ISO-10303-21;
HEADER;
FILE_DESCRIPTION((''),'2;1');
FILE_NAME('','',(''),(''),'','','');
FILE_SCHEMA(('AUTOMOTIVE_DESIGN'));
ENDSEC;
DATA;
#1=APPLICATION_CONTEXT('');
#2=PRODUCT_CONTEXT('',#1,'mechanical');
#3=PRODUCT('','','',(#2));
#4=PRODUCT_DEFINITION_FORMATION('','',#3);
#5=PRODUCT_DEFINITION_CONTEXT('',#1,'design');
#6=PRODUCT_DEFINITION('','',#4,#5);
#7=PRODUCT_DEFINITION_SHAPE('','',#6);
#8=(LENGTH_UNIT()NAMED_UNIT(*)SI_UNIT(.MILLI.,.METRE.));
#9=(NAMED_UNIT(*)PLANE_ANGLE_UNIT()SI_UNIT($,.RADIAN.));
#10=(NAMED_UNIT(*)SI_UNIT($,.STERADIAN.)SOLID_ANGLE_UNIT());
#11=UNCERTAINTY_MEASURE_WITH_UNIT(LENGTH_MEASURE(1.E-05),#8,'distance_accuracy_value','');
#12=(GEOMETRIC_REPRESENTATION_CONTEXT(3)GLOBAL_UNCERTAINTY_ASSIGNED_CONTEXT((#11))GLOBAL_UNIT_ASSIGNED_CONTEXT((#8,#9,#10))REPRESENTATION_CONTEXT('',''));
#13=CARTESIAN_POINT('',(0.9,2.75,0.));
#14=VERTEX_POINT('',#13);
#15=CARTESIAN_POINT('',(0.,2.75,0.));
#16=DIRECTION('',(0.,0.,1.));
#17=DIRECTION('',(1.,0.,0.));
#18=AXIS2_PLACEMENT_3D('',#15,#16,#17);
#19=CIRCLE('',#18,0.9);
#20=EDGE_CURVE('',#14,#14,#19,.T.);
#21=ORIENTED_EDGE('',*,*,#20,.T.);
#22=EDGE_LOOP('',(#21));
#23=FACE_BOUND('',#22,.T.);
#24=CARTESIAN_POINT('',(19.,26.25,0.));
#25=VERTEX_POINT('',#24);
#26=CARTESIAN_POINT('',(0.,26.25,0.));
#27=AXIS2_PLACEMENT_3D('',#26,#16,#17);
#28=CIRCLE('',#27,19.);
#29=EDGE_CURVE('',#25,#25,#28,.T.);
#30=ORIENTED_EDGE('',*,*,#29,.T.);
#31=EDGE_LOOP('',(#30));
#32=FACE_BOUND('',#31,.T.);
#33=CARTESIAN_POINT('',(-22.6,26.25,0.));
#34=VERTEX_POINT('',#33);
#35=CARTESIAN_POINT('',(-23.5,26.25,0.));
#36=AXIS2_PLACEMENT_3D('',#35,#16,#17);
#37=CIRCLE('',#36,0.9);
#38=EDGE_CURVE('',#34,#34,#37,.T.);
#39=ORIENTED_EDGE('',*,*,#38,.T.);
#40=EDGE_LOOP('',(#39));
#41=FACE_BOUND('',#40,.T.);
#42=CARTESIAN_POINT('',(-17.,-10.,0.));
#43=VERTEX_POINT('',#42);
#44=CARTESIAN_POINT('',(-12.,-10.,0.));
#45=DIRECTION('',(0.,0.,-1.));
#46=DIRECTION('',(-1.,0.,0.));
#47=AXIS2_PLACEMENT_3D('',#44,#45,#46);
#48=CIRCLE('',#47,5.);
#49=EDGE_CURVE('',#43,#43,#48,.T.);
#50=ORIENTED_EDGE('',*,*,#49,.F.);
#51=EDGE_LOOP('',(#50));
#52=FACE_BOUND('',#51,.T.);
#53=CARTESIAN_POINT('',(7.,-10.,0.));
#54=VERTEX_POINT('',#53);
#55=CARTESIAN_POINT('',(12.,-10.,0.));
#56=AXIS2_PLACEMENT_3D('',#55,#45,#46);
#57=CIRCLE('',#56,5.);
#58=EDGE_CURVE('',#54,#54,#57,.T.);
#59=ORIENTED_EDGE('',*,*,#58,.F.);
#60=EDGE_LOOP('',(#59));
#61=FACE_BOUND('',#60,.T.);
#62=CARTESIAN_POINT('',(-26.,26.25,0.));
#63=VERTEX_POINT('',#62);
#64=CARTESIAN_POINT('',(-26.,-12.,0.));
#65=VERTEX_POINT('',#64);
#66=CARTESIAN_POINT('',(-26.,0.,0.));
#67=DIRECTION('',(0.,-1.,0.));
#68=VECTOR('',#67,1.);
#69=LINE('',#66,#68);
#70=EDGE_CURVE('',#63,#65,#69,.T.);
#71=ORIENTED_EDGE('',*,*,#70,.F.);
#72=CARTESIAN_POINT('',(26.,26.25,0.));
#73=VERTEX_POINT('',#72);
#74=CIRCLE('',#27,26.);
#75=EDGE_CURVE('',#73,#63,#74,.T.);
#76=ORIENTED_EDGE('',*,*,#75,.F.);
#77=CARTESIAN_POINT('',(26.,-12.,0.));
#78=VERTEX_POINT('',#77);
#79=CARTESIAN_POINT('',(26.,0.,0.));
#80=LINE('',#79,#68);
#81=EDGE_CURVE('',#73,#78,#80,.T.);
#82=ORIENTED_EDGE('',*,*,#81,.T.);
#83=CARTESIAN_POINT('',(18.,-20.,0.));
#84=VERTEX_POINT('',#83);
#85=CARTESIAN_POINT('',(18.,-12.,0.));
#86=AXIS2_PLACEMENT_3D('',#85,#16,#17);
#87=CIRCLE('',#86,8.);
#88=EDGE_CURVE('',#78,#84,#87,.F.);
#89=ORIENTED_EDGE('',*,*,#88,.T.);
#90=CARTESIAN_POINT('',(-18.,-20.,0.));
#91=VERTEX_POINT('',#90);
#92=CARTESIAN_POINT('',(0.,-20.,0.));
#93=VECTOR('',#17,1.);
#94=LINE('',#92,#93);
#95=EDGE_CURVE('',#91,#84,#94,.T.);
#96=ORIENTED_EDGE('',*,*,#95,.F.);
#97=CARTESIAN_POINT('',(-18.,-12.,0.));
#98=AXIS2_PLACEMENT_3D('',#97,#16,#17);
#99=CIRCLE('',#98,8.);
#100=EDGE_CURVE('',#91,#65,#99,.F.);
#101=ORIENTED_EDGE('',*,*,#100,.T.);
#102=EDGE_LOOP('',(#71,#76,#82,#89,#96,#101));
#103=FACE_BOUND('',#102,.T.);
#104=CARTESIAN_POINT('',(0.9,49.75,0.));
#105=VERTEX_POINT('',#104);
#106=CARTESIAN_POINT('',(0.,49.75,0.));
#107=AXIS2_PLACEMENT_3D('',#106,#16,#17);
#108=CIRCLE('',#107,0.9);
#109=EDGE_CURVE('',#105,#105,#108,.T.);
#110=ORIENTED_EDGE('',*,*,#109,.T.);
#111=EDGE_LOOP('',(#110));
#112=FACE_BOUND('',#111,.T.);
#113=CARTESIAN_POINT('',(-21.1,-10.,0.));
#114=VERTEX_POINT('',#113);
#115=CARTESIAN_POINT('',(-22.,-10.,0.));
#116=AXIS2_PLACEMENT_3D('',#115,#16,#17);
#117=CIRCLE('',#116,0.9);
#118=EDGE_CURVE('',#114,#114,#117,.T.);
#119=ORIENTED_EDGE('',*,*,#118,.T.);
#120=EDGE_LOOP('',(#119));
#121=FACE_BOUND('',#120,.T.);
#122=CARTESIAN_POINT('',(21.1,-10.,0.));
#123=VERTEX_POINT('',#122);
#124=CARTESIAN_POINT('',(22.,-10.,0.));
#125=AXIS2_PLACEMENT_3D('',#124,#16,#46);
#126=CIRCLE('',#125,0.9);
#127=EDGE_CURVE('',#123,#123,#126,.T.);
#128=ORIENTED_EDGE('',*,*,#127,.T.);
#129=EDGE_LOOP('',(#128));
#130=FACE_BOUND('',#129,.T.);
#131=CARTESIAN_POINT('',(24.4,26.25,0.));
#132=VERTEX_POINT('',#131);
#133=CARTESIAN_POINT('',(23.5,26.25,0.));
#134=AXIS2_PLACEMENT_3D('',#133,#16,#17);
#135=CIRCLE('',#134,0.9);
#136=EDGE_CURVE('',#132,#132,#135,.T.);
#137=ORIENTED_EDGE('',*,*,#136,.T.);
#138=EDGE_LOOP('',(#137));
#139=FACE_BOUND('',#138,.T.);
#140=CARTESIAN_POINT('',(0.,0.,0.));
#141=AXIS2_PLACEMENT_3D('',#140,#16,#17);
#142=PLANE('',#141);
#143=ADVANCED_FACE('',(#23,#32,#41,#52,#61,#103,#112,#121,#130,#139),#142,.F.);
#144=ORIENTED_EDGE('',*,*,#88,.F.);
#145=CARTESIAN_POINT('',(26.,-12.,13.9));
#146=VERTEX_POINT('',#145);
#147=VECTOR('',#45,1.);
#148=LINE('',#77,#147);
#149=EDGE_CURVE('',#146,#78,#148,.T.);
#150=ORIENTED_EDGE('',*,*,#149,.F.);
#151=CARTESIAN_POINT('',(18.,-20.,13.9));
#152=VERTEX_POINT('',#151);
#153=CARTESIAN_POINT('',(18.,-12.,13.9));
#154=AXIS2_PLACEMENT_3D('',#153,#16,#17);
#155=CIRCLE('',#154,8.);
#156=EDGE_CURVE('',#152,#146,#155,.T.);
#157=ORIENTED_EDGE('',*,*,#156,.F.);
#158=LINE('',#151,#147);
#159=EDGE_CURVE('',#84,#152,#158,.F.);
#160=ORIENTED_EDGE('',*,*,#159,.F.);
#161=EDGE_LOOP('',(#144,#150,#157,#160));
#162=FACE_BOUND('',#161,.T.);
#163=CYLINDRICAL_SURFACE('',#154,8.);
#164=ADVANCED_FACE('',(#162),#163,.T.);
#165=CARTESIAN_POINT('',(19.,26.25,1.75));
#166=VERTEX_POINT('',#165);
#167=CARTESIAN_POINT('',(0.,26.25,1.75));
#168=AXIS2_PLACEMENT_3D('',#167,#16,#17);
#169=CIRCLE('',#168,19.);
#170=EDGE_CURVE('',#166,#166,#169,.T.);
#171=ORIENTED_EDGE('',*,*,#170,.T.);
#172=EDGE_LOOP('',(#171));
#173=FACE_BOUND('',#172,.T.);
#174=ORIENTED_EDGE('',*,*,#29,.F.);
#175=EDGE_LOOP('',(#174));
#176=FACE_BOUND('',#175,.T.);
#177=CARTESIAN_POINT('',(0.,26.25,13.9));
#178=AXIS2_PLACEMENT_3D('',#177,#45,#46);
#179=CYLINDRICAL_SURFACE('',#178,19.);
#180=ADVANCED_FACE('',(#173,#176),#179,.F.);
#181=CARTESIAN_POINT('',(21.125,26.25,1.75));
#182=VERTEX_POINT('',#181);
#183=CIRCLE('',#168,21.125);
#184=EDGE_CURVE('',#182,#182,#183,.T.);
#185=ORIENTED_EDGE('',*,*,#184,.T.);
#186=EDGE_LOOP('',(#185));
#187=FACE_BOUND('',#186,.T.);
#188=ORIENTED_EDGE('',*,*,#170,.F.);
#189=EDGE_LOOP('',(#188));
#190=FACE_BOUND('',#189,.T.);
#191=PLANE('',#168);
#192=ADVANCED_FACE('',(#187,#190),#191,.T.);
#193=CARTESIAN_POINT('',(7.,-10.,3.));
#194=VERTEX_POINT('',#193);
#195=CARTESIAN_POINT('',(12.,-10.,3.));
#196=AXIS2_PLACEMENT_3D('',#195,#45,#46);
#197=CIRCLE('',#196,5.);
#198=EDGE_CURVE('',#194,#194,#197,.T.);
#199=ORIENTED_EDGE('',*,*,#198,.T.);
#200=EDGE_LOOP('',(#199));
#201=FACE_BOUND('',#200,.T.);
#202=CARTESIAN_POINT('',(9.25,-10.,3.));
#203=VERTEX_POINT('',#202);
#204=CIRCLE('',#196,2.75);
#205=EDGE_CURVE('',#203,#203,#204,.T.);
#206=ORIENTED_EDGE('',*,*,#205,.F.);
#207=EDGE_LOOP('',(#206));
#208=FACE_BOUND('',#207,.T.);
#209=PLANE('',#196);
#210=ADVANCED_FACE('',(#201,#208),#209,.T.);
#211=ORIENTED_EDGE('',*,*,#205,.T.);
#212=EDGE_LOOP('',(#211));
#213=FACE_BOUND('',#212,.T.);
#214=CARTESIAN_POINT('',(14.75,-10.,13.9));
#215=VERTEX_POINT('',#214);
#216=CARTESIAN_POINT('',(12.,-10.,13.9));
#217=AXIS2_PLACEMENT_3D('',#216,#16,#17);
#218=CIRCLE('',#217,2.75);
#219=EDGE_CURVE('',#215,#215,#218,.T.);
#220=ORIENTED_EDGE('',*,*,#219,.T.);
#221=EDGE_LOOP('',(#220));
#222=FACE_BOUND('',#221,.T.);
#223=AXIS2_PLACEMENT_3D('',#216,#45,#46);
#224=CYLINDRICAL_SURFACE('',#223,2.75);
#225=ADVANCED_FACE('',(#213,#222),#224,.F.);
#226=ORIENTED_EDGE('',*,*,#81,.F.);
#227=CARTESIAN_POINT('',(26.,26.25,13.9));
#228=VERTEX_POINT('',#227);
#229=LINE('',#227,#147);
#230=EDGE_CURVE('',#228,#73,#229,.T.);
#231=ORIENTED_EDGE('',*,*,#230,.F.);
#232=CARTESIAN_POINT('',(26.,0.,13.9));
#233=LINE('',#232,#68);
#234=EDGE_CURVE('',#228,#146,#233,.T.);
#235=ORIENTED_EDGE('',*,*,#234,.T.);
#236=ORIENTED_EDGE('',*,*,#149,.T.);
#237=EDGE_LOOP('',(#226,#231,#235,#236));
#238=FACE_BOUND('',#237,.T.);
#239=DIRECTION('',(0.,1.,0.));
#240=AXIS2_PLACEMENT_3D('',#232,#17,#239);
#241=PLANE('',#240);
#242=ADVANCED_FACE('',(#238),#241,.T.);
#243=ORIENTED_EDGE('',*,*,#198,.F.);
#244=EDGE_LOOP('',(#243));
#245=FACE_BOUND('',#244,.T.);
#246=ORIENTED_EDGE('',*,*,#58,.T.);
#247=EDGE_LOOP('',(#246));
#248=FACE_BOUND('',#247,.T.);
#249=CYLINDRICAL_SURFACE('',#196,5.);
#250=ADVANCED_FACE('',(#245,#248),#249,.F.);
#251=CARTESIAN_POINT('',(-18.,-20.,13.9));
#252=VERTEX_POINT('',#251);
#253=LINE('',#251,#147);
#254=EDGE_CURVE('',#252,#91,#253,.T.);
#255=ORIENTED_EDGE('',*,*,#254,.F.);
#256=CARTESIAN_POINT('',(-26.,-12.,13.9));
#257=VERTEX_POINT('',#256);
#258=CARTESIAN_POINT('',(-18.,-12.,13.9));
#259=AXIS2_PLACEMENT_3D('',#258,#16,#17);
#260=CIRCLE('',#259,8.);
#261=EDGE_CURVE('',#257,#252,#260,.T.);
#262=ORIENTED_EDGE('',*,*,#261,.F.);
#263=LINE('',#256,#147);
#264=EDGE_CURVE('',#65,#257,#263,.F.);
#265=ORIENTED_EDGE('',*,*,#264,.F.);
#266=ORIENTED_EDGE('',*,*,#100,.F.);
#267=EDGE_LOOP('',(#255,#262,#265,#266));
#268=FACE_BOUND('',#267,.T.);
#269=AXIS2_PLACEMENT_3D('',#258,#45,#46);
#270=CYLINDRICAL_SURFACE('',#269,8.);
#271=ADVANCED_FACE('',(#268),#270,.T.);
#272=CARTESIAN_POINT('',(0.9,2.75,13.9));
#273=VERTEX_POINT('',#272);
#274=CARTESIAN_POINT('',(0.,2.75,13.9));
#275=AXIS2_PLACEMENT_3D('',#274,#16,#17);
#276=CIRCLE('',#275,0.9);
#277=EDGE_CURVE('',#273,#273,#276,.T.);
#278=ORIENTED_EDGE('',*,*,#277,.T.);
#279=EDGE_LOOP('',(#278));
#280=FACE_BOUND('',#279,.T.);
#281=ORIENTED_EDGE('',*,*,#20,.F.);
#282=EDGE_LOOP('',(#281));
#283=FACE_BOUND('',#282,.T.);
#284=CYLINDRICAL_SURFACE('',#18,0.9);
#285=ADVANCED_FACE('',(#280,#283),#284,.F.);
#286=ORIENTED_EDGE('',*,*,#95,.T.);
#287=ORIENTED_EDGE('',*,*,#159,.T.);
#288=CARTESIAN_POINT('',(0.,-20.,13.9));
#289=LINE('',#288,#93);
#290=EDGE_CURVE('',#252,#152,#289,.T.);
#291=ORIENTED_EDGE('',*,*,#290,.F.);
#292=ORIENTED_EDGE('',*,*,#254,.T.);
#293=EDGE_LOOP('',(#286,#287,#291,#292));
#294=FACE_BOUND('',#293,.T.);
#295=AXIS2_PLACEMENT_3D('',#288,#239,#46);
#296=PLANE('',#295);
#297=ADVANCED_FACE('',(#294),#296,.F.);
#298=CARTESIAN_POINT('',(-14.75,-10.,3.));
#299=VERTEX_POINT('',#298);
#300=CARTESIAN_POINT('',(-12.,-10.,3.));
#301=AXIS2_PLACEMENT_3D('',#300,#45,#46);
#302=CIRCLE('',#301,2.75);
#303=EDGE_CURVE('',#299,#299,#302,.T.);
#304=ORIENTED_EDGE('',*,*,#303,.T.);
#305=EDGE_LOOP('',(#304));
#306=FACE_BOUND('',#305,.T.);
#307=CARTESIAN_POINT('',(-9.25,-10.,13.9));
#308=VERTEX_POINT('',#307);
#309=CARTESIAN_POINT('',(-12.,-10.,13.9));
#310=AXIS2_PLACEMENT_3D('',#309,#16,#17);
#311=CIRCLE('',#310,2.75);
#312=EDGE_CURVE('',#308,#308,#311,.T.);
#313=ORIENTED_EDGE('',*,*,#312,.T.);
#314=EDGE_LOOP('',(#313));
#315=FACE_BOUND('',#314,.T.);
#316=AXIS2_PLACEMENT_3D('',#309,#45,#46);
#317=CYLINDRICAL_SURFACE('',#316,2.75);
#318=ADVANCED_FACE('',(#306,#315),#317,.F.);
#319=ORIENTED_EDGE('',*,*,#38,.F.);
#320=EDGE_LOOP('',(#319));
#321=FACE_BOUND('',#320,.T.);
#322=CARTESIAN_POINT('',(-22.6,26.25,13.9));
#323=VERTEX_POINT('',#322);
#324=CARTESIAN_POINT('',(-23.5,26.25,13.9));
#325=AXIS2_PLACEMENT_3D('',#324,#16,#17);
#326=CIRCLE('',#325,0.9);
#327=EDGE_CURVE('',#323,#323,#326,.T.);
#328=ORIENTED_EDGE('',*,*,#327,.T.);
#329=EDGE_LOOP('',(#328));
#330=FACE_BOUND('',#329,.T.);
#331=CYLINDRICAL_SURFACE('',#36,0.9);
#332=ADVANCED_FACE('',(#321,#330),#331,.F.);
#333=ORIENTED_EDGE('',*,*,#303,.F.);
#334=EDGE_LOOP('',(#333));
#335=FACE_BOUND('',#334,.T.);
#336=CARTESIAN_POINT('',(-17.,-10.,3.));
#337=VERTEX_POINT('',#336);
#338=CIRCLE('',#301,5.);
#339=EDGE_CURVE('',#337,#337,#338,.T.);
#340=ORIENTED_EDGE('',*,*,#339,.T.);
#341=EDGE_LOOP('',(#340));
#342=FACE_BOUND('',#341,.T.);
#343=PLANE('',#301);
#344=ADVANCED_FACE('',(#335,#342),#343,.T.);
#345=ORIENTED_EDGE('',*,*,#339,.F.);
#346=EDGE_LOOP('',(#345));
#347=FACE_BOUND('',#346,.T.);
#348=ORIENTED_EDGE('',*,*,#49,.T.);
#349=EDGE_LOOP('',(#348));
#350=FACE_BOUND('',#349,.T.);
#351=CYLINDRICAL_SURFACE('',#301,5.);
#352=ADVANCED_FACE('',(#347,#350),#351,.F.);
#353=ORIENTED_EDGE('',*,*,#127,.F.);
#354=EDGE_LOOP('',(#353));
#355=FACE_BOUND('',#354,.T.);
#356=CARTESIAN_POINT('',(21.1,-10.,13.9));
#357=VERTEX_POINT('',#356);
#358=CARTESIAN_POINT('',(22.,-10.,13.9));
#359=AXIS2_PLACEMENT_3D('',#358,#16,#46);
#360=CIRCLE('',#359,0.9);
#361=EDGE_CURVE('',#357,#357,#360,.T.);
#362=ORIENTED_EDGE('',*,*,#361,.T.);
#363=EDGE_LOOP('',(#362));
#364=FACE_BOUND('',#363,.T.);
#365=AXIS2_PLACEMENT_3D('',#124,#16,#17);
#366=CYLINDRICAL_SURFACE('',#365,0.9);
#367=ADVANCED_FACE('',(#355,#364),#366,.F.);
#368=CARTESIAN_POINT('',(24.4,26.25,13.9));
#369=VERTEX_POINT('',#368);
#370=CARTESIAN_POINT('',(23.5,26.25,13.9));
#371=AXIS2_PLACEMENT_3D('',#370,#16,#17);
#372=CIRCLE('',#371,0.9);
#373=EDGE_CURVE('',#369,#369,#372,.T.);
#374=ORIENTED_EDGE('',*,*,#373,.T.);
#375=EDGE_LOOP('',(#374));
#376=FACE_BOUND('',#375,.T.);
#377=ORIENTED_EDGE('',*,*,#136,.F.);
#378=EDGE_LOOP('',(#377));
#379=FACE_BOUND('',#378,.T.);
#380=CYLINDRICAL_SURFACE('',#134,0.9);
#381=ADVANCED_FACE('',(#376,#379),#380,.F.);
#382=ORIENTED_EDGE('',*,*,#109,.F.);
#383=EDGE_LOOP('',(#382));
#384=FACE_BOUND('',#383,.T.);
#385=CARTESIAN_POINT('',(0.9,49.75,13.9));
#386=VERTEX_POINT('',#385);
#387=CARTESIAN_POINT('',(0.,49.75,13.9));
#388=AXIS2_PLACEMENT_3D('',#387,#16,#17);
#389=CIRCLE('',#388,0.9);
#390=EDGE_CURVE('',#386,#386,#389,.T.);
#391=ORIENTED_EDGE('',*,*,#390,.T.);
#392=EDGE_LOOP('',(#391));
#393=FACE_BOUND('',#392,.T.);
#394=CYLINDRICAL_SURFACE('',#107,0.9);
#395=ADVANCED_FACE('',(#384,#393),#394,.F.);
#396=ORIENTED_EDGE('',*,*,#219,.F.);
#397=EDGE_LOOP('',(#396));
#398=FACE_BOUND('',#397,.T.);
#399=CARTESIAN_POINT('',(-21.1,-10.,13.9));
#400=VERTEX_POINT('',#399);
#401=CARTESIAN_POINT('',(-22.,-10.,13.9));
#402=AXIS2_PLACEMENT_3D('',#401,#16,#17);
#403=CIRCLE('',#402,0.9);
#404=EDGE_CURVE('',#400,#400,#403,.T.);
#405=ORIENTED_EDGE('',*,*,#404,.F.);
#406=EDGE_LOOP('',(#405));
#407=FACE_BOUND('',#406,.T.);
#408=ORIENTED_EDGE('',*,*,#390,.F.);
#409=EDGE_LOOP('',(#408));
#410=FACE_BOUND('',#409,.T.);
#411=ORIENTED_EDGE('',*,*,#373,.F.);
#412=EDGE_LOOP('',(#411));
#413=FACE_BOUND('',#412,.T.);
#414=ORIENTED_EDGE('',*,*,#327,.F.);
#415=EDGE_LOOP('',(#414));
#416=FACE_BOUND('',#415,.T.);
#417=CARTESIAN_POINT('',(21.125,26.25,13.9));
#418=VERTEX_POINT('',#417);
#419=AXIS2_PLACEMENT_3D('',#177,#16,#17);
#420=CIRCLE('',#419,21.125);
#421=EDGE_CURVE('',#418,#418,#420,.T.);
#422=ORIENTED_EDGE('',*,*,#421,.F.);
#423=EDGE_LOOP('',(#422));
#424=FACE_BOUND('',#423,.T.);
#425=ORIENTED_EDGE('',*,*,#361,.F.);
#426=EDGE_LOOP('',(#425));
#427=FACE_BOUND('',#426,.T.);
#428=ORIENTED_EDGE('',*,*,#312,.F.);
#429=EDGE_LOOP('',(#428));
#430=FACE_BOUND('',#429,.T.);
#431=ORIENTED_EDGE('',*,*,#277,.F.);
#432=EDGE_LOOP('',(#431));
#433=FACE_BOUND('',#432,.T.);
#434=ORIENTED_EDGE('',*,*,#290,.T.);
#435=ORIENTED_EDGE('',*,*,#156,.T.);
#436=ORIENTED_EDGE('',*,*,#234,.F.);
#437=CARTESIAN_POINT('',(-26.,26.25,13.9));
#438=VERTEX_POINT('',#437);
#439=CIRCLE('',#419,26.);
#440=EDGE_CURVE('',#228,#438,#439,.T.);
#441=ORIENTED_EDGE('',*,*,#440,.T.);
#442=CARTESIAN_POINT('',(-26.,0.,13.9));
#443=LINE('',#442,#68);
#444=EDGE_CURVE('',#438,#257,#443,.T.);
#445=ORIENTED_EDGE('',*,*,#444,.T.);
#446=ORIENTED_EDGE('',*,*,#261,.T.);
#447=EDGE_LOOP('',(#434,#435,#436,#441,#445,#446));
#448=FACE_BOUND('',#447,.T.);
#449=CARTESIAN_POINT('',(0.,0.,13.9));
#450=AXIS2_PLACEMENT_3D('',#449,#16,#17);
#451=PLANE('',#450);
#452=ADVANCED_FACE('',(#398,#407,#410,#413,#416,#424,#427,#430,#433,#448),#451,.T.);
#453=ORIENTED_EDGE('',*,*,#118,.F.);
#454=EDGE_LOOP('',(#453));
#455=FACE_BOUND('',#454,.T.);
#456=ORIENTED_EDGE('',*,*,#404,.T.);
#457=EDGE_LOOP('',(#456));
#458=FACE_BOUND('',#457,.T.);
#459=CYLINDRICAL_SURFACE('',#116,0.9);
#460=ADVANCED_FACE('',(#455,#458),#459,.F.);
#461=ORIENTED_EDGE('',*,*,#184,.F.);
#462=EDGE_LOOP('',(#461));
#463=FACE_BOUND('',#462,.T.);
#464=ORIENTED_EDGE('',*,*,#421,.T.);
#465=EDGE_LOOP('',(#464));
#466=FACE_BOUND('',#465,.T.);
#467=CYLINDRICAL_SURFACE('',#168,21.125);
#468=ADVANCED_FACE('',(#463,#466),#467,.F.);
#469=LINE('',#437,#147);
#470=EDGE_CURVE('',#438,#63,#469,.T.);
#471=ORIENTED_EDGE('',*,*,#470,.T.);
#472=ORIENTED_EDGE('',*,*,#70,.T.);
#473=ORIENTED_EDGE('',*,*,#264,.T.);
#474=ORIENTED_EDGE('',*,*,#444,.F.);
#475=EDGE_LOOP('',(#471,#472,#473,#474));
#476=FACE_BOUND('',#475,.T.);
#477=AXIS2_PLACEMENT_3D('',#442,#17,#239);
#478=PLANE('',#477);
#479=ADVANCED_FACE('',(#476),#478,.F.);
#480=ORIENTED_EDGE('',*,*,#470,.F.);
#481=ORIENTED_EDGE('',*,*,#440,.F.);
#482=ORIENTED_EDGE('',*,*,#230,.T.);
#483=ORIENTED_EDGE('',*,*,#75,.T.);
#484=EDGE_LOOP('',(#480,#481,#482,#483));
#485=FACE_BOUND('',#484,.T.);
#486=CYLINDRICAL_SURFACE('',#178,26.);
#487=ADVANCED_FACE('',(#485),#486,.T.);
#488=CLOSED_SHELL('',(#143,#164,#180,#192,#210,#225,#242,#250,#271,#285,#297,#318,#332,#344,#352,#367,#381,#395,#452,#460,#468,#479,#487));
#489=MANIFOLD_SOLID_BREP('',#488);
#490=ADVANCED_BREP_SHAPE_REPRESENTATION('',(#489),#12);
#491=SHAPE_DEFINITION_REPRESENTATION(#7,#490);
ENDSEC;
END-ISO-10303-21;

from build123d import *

# Parameters (mm, degrees)
SKETCH_2_R          = 19
SKETCH_2_R_2        = 2.75
EXTRUDE_1_DEPTH     = 13.9
SKETCH_3_R          = 21.125
CUT_EXTRUDE_1_DEPTH = 12.15
SKETCH_4_R          = 5
CUT_EXTRUDE_2_DEPTH = 3
FILLET_1_R          = 8
SKETCH_5_R          = 0.9
CUT_EXTRUDE_3_DEPTH = 60.993937194


with BuildPart() as part:
    # Эскиз2 → Бобышка-Вытянуть1 (new body)
    with BuildSketch(Plane.XY):
        with BuildLine():
            ThreePointArc((26, 26.25), (0, 52.25), (-26, 26.25))
            Line((-26, 26.25), (-26, -20))
            Line((-26, -20), (26, -20))
            Line((26, -20), (26, 26.25))
        make_face()
        with Locations((0, 26.25)):
            Circle(SKETCH_2_R, mode=Mode.SUBTRACT)
        with Locations((12, -10)):
            Circle(SKETCH_2_R_2, mode=Mode.SUBTRACT)
        with Locations((-12, -10)):
            Circle(SKETCH_2_R_2, mode=Mode.SUBTRACT)
    extrude(amount=EXTRUDE_1_DEPTH)

    # Эскиз3 → Вырез-Вытянуть1 (cut)
    with BuildSketch(Plane.XY.offset(13.9)):
        with Locations((0, 26.25)):
            Circle(SKETCH_3_R)
    extrude(amount=-CUT_EXTRUDE_1_DEPTH, mode=Mode.SUBTRACT)

    # Эскиз4 → Вырез-Вытянуть2 (cut)
    with BuildSketch(Plane(origin=(0, 0, 0), x_dir=(-1, 0, 0), z_dir=(0, 0, -1))):
        with Locations((-12, -10)):
            Circle(SKETCH_4_R)
        with Locations((12, -10)):
            Circle(SKETCH_4_R)
    extrude(amount=-CUT_EXTRUDE_2_DEPTH, mode=Mode.SUBTRACT)

    # Скругление1
    fillet_1_edges = [part.edges().sort_by_distance(p)[0] for p in [
        (26, -20, 6.95),
        (-26, -20, 6.95),
    ]]
    fillet(fillet_1_edges, radius=FILLET_1_R)

    # Эскиз5 → Вырез-Вытянуть3 (cut, through all)
    with BuildSketch(Plane.XY.offset(13.9)):
        with Locations((0, 49.75)):
            Circle(SKETCH_5_R)
        with Locations((-23.5, 26.25)):
            Circle(SKETCH_5_R)
        with Locations((0, 2.75)):
            Circle(SKETCH_5_R)
        with Locations((23.5, 26.25)):
            Circle(SKETCH_5_R)
        with Locations((-22, -10)):
            Circle(SKETCH_5_R)
        with Locations(Location((22, -10, 0), (0, 0, 180))):
            Circle(SKETCH_5_R)
    extrude(amount=-CUT_EXTRUDE_3_DEPTH, mode=Mode.SUBTRACT)


solid = part.part
